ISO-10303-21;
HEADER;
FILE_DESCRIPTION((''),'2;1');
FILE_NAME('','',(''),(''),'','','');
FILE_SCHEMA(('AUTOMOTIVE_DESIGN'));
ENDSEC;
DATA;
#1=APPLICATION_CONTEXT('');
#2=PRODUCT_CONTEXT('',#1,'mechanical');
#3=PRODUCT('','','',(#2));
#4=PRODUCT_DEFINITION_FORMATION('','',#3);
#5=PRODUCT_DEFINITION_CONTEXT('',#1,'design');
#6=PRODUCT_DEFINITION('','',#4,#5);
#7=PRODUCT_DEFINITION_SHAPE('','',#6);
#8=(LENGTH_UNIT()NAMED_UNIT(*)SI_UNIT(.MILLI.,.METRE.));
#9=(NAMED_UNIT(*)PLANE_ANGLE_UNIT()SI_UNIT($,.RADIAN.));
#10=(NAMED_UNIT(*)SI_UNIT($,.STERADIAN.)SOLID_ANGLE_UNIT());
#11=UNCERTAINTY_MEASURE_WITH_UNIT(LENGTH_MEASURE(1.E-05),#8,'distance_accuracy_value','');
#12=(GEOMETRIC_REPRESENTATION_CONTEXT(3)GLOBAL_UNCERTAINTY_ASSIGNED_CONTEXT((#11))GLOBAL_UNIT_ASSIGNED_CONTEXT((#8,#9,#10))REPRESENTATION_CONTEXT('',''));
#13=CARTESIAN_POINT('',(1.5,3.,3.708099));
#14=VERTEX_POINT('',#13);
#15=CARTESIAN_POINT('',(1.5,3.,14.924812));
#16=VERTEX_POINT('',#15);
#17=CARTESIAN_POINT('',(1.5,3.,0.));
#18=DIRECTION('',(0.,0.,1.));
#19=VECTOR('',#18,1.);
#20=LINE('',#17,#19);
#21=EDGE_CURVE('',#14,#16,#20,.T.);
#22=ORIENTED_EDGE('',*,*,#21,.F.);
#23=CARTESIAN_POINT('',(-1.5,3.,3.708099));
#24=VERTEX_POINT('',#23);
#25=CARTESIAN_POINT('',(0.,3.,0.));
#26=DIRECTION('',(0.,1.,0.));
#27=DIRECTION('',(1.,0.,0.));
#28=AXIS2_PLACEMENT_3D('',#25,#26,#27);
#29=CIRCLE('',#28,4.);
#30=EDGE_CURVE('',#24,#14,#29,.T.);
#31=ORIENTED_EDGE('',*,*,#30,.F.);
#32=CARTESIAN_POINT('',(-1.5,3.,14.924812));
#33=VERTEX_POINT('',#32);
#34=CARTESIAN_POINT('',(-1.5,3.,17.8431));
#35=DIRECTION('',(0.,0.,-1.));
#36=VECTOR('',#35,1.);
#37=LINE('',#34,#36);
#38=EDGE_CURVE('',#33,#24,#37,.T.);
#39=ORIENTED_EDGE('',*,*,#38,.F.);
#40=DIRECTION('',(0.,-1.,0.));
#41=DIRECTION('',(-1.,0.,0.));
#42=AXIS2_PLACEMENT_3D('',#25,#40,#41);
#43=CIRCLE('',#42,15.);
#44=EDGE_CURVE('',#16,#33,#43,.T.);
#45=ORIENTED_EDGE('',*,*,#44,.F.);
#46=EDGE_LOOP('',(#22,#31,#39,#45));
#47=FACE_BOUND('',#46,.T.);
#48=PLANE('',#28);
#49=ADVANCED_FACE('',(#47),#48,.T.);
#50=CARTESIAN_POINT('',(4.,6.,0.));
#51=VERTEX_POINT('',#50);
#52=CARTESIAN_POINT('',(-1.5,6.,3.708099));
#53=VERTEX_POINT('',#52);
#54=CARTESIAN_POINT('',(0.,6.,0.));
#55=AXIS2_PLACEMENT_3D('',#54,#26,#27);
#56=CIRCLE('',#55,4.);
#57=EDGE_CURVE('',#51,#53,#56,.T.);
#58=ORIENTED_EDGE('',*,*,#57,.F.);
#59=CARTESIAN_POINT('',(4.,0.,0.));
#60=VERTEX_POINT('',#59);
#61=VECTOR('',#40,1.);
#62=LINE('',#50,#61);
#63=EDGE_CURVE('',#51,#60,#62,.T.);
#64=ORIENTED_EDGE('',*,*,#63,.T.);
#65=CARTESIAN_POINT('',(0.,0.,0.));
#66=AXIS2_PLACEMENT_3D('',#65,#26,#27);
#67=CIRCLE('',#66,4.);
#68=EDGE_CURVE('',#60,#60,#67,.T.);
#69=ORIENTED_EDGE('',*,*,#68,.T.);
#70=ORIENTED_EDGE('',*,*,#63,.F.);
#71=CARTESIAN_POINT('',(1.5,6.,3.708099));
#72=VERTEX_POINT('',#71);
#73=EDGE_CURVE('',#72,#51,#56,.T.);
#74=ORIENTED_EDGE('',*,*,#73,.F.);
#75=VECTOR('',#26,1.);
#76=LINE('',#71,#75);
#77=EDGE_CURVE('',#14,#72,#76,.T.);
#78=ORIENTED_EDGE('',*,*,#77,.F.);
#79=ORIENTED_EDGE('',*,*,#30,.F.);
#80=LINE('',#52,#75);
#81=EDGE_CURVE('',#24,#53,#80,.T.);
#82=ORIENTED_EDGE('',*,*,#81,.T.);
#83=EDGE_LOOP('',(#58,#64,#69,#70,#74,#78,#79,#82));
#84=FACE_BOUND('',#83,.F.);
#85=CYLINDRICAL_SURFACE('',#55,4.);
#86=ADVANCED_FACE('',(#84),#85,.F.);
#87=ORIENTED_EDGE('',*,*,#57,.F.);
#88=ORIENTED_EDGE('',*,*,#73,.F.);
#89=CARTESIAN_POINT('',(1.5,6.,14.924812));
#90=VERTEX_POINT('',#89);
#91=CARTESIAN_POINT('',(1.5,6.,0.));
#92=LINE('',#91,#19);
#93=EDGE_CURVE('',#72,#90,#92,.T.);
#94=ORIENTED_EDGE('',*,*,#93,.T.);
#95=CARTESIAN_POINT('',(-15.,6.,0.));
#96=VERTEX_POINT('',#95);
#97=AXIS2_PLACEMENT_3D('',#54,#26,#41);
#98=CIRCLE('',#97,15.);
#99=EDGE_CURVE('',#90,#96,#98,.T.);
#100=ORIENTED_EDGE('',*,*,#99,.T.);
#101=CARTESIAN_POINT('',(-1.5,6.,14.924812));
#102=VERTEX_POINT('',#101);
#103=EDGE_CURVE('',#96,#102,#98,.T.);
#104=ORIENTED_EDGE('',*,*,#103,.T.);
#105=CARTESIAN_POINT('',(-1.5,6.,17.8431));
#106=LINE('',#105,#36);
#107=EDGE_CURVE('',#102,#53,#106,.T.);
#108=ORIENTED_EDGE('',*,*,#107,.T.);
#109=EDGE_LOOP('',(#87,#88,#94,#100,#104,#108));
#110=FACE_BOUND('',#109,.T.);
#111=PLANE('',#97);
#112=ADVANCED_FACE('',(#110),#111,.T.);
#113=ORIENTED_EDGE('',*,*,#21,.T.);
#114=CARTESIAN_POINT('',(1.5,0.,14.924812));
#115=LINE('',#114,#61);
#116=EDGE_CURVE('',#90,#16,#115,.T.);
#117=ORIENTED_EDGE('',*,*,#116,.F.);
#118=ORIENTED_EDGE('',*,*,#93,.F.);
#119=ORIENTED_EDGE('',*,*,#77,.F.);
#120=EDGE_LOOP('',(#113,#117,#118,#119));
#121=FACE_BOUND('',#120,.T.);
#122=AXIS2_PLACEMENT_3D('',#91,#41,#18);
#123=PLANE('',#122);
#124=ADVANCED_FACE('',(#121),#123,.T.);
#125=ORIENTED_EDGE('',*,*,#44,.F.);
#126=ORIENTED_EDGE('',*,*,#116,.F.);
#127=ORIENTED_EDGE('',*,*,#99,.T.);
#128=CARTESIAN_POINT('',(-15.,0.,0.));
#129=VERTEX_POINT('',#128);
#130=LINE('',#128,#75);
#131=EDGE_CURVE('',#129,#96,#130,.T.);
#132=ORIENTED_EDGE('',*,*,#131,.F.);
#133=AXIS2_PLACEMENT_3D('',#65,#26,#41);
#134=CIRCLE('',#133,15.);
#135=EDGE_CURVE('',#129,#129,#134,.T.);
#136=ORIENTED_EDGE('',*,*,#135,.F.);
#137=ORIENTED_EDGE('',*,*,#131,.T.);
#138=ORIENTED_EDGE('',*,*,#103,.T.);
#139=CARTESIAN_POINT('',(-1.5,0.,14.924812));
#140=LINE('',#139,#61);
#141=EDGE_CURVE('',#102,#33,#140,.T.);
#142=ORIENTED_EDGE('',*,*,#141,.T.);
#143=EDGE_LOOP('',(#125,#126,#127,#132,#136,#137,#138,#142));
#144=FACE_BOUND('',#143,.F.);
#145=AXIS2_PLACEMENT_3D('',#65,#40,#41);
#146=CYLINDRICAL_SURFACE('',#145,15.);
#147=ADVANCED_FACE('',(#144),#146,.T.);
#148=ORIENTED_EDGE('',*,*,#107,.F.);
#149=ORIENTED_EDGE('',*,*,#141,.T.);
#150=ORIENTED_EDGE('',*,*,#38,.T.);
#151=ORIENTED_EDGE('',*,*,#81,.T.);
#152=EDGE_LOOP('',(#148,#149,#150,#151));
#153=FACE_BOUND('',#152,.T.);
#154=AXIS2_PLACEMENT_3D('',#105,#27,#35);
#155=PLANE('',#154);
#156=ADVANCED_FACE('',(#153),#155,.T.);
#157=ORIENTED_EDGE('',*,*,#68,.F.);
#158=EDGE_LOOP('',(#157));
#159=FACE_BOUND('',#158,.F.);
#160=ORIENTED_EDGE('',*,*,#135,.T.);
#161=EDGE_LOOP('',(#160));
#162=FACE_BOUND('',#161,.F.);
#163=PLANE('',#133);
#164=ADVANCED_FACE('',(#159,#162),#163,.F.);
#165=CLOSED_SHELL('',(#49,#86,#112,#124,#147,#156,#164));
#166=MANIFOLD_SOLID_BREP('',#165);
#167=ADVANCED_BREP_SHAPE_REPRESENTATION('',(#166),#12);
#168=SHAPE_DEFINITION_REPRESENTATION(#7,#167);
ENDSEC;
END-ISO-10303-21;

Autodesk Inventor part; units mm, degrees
ref_plane "YZ Plane" through (0, 0, 0) normal (1, 0, 0) x (0, 1, 0)
ref_plane "XZ Plane" through (0, 0, 0) normal (0, 1, 0) x (-1, 0, 0)
ref_plane "XY Plane" through (0, 0, 0) normal (0, 0, 1) x (1, 0, 0)
sketch "スケッチ1" plane through (0, 0, 0) normal (0, 1, 0) x (-1, 0, 0)
  circle A0 centre (0, 0) radius 15
  dimension "d0" = 30
extrude "押し出し1" add sketch "スケッチ1" along normal blind 6
sketch "スケッチ2" plane through (0, 6, 0) normal (0, 1, 0) x (1, 0, 0)
  circle A0 centre (0, 0) radius 3
  dimension "d3" = 6
extrude "押し出し2" cut sketch "スケッチ2" against normal blind 6
sketch "スケッチ3" plane through (0, 6, 0) normal (0, 1, 0) x (1, 0, 0)
  line L0 (-1.5, 0) -> (1.5, 0)
  line L1 (1.5, 0) -> (1.5, -17.8431)
  line L2 (1.5, -17.8431) -> (-1.5, -17.8431)
  line L3 (-1.5, -17.8431) -> (-1.5, 0)
  point P0 (0, 0)
  dimension "d6" = 3
  dimension "d7" = 1.5
extrude "押し出し3" cut sketch "スケッチ3" against normal blind 3
sketch "スケッチ4" plane through (0, 6, 0) normal (0, 1, 0) x (1, 0, 0)
  circle A0 centre (0, 0) radius 4
  dimension "d10" = 8
extrude "押し出し4" cut sketch "スケッチ4" against normal blind 6
properties part number "NHK_t0_1"
